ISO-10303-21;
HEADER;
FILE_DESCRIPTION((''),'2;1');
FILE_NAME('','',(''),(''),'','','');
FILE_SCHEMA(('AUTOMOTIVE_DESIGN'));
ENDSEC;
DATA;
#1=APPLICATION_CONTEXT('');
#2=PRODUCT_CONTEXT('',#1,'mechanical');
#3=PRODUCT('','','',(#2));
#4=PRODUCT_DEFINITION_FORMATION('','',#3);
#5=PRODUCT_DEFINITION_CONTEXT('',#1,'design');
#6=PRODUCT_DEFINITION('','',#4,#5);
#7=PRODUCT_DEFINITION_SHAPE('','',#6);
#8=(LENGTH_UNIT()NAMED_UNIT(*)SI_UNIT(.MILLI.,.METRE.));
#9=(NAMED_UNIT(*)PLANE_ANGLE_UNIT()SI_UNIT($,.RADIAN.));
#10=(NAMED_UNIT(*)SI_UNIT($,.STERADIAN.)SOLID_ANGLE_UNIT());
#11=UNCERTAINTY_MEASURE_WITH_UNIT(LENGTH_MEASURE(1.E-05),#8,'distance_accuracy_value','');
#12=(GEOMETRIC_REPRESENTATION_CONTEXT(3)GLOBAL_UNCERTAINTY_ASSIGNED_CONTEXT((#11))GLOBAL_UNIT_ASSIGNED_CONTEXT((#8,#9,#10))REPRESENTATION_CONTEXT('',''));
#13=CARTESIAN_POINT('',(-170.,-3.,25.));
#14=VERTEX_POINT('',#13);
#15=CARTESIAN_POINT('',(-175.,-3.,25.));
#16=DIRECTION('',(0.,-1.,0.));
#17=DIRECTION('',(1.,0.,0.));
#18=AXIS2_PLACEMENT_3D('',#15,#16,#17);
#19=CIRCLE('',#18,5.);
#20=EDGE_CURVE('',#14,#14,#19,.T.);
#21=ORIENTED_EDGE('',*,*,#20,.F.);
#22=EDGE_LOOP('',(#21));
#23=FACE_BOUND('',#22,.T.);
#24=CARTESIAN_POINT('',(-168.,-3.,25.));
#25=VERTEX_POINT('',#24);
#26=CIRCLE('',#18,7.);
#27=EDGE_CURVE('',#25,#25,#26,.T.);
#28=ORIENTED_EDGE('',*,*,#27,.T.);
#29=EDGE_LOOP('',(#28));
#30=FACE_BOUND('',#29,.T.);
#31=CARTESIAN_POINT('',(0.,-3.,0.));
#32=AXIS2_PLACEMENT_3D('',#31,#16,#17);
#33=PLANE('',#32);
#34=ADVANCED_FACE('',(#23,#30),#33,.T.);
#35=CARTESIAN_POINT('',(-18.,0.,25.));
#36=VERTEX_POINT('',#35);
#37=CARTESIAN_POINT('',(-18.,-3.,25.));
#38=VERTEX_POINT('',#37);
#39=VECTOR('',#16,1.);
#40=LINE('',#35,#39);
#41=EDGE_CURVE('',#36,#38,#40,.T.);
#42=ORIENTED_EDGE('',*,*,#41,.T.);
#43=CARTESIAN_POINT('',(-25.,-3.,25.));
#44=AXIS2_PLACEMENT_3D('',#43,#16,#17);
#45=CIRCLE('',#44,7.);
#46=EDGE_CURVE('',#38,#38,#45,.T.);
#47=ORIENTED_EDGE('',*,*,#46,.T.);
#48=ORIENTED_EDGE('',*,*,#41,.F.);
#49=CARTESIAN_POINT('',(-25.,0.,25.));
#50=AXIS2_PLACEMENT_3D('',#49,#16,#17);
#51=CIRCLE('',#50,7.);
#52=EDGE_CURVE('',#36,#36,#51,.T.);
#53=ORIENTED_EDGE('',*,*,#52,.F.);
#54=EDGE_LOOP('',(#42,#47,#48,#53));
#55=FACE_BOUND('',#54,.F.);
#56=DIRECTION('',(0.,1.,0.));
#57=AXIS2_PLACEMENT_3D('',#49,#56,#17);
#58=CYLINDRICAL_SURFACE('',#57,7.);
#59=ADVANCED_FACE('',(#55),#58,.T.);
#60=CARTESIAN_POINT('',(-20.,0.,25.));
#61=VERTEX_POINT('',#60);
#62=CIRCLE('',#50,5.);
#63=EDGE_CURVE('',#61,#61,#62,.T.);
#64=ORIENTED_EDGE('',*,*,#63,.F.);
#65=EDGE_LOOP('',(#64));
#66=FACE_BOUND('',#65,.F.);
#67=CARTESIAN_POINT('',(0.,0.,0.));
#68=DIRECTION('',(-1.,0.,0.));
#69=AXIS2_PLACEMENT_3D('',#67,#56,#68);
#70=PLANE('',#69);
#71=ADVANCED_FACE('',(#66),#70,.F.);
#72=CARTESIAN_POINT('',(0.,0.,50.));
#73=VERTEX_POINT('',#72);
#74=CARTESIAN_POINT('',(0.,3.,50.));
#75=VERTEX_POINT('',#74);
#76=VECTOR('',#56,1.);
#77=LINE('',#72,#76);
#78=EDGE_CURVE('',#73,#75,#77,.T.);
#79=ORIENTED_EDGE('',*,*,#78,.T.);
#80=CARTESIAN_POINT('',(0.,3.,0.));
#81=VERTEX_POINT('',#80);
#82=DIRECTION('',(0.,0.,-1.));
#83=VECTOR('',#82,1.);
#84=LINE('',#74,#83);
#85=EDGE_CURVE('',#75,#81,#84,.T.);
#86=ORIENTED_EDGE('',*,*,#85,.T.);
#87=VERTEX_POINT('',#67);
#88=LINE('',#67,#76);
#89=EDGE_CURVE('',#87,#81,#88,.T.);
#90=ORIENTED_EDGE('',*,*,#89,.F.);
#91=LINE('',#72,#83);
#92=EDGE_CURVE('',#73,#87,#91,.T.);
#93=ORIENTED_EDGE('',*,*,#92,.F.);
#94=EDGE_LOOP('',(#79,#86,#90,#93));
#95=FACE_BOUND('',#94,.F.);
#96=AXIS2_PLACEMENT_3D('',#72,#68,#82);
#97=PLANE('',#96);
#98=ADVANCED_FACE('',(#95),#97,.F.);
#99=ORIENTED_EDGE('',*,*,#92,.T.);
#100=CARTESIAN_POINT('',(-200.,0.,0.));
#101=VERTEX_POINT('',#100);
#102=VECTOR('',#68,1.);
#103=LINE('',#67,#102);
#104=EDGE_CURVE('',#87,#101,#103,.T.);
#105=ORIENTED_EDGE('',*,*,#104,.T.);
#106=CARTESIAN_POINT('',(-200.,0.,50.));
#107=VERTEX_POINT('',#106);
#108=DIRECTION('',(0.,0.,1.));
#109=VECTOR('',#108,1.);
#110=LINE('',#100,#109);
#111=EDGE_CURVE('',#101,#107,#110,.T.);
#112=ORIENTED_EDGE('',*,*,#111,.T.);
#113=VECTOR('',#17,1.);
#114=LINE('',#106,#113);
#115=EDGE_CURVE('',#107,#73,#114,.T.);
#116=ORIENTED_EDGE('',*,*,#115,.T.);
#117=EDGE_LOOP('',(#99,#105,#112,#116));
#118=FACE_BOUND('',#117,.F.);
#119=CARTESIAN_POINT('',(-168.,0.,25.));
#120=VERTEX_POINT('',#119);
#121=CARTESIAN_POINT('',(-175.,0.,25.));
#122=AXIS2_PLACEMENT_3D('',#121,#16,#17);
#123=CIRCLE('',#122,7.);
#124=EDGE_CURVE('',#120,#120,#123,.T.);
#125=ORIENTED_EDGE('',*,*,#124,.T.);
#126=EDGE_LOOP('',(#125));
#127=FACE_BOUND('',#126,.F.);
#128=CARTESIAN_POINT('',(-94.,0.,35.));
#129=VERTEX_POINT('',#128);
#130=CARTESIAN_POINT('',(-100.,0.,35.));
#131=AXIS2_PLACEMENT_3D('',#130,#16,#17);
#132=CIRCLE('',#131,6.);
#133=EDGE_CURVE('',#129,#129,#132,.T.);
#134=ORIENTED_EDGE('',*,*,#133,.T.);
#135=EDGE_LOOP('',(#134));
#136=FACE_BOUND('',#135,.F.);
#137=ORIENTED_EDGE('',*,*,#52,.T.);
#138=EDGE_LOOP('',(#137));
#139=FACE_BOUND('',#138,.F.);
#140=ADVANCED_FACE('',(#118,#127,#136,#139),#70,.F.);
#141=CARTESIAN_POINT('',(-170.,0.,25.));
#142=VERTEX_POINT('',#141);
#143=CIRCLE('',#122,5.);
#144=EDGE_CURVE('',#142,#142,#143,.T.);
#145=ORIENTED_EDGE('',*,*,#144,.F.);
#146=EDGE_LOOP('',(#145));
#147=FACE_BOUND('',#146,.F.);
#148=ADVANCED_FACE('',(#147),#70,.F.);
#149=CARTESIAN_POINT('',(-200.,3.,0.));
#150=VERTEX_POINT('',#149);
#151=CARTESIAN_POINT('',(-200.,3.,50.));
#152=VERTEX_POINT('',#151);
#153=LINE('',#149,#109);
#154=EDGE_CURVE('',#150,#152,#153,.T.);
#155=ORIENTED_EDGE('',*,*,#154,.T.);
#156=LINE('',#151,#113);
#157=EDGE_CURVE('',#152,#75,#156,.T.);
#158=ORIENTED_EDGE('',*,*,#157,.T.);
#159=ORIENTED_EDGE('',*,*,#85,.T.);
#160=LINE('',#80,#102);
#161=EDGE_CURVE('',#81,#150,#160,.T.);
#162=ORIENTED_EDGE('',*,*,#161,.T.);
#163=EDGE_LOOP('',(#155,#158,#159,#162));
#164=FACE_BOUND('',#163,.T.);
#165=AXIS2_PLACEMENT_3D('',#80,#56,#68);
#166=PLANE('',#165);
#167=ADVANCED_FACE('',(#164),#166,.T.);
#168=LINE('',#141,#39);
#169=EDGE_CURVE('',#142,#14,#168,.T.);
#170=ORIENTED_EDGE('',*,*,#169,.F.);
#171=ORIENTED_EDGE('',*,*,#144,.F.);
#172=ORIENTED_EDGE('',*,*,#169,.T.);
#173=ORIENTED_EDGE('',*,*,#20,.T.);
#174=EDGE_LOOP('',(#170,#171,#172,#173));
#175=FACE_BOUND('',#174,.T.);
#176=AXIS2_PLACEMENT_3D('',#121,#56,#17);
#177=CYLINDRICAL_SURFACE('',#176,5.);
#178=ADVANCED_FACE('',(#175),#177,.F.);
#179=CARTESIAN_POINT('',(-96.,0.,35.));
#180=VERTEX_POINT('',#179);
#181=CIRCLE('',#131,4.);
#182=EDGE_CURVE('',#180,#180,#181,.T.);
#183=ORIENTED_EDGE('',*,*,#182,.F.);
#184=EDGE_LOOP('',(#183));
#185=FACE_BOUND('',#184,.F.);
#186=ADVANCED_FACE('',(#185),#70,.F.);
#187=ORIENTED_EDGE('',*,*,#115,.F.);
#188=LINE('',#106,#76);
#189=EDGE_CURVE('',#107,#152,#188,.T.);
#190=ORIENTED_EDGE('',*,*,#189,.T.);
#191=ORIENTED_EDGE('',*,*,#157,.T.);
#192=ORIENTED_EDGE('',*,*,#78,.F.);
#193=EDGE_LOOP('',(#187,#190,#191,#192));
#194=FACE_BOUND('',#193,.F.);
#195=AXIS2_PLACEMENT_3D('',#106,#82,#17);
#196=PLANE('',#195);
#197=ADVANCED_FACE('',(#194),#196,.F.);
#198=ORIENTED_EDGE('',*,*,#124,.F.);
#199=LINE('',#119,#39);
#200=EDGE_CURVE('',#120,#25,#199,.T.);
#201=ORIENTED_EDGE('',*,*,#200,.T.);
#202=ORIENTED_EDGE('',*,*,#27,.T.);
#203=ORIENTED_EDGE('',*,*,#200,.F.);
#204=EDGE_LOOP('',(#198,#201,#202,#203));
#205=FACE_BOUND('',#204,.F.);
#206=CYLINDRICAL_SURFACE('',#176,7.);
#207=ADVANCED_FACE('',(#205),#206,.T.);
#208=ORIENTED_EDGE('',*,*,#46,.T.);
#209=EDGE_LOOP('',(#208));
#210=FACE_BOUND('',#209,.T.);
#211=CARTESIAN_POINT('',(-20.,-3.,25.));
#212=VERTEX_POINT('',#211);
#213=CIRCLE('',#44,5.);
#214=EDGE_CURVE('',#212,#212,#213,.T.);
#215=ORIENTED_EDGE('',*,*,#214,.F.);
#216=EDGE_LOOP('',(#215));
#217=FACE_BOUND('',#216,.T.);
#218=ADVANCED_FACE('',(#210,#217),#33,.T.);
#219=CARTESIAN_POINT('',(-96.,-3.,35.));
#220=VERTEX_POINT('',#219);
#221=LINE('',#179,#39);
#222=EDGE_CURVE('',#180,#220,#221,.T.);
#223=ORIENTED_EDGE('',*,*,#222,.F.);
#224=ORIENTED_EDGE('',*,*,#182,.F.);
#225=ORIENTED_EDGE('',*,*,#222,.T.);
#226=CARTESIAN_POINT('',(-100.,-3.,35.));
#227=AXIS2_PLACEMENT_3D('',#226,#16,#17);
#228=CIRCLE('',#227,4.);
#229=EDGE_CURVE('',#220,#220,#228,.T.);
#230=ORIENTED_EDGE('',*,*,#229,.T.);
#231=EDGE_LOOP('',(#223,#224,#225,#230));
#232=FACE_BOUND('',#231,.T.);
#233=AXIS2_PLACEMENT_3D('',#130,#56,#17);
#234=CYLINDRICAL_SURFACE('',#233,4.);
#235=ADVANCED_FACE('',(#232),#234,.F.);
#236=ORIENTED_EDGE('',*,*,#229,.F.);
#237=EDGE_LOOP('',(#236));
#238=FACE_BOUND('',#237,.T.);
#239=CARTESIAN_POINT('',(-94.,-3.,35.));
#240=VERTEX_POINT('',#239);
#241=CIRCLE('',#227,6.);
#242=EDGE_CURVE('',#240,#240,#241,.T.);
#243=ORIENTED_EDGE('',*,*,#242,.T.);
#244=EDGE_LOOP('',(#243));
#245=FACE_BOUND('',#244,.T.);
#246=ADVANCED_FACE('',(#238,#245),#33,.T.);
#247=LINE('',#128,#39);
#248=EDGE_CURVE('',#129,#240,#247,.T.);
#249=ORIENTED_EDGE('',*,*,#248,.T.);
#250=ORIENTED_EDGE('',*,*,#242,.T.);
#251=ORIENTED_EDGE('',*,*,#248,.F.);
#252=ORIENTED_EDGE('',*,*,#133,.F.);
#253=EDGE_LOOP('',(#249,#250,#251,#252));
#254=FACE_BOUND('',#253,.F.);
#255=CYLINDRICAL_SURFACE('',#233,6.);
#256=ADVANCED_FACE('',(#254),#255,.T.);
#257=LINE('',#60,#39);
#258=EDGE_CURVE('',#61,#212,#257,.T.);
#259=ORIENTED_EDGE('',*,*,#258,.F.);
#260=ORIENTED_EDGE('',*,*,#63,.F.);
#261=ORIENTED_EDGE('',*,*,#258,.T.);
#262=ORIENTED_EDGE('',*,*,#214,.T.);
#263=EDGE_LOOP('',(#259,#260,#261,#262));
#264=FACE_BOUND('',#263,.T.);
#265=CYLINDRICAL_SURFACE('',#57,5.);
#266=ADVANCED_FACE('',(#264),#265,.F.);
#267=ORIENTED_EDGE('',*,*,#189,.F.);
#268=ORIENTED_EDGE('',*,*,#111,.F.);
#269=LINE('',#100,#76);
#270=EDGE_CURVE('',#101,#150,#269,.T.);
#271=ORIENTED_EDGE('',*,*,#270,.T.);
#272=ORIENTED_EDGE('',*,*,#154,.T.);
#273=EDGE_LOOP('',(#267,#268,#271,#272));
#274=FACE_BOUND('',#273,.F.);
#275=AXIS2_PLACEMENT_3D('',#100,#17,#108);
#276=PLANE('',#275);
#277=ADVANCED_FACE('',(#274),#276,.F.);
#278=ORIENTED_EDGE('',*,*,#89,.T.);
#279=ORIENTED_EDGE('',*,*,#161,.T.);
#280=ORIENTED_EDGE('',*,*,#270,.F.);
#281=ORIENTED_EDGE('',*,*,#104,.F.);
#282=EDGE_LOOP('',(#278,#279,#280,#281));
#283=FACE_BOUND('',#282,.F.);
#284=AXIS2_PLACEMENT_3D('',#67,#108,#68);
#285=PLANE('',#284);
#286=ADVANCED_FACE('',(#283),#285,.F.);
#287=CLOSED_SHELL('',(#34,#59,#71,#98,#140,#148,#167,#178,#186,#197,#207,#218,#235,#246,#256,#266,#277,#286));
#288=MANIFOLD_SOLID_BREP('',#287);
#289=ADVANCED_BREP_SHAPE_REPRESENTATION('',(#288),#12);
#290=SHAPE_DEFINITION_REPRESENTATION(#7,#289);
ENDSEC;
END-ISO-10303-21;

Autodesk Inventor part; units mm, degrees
ref_plane "YZ Plane" through (0, 0, 0) normal (1, 0, 0) x (0, 1, 0)
ref_plane "XZ Plane" through (0, 0, 0) normal (0, 1, 0) x (-1, 0, 0)
ref_plane "XY Plane" through (0, 0, 0) normal (0, 0, 1) x (1, 0, 0)
sketch "Sketch1" plane through (0, 0, 0) normal (0, 1, 0) x (-1, 0, 0)
  line L0 (0, 0) -> (200, 0)
  line L1 (200, 0) -> (200, 50)
  line L2 (200, 50) -> (0, 50)
  line L3 (0, 50) -> (0, 0)
  line L4 (100, 50) -> (100, -12.2978) construction
  line L5 (100, 46.202) -> (25, 46.202) construction
  line L6 (25, 46.202) -> (25, 4.511) construction
  line L7 (14.6583, 50) -> (14.6583, 25) construction
  line L8 (14.6583, 25) -> (197.0399, 25) construction
  line L9 (110.8785, 50) -> (110.8785, 35) construction
  line L10 (110.8785, 35) -> (88.7756, 35) construction
  dimension "d0" = 200
  dimension "d1" = 50
  dimension "d2" = 75
  dimension "d3" = 25
  dimension "d4" = 15
extrude "Extrusion1" add sketch "Sketch1" along normal blind 3
sketch "Sketch2" plane through (0, 0, 0) normal (0, -1, 0) x (1, 0, 0)
  line L0 (0, 0) -> (-200, 0) projected
  line L1 (-200, 50) -> (0, 50) projected
  line L2 (-200, 0) -> (-200, 50) projected
  line L3 (-100, 50) -> (-100, -20.2581) construction
  line L4 (-200, 25) -> (-5.0979, 25) construction
  line L5 (-100, 50) -> (-100, 35) construction
  line L6 (-100, 35) -> (-80.8703, 35) construction
  line L7 (-100, 35) -> (-119.3164, 35) construction
  line L8 (-190.2363, 50) -> (-190.2363, 25) construction
  line L9 (-100, 0) -> (-175, 0) construction
  line L10 (-175, 0) -> (-175, 41.5169) construction
  line L11 (-100, 0) -> (-25, 0) construction
  line L12 (-25, 0) -> (-25, 41.5169) construction
  circle A0 centre (-100, 35) radius 4
  circle A1 centre (-100, 35) radius 6
  dimension "d7" = 15
  dimension "d8" = 25
  dimension "d9" = 75
  dimension "d10" = 75
  dimension "d11" = 8
  dimension "d12" = 12
extrude "Extrusion2" add sketch "Sketch2" along normal blind 3
sketch "Sketch3" plane through (0, 0, 0) normal (0, -1, 0) x (1, 0, 0)
  line L0 (-200, 50) -> (0, 50) projected
  line L1 (-200, 0) -> (-200, 50) projected
  circle A0 centre (-100, 35) radius 6 projected
  line L2 (-100, 35) -> (-175, 35) construction
  line L3 (-175, 35) -> (-175, -16.3605) construction
  line L4 (-191.9526, 50) -> (-191.9526, 25) construction
  line L5 (-191.9526, 25) -> (-42.7931, 25) construction
  circle A1 centre (-175, 25) radius 5
  circle A2 centre (-175, 25) radius 7
  dimension "d15" = 75
  dimension "d16" = 25
  dimension "d17" = 10
  dimension "d18" = 14
extrude "Extrusion3" add sketch "Sketch3" along normal blind 3 contours A2
sketch "Sketch4" plane through (0, 0, 0) normal (0, -1, 0) x (1, 0, 0)
  circle A0 centre (-100, 35) radius 6 projected
  line L0 (-200, 50) -> (0, 50) projected
  line L1 (-200, 0) -> (-200, 50) projected
  line L2 (-100, 35) -> (-25, 35) construction
  line L3 (-25, 35) -> (-25, -20.2088) construction
  line L4 (-14.8647, 50) -> (-14.8647, 25) construction
  line L5 (-14.8647, 25) -> (-71.3929, 25) construction
  circle A1 centre (-25, 25) radius 5
  circle A2 centre (-25, 25) radius 7
  dimension "d21" = 75
  dimension "d22" = 25
  dimension "d23" = 10
  dimension "d24" = 14
extrude "Extrusion4" add sketch "Sketch4" along normal blind 3 contours A2
properties part number "z rods top bracket"
